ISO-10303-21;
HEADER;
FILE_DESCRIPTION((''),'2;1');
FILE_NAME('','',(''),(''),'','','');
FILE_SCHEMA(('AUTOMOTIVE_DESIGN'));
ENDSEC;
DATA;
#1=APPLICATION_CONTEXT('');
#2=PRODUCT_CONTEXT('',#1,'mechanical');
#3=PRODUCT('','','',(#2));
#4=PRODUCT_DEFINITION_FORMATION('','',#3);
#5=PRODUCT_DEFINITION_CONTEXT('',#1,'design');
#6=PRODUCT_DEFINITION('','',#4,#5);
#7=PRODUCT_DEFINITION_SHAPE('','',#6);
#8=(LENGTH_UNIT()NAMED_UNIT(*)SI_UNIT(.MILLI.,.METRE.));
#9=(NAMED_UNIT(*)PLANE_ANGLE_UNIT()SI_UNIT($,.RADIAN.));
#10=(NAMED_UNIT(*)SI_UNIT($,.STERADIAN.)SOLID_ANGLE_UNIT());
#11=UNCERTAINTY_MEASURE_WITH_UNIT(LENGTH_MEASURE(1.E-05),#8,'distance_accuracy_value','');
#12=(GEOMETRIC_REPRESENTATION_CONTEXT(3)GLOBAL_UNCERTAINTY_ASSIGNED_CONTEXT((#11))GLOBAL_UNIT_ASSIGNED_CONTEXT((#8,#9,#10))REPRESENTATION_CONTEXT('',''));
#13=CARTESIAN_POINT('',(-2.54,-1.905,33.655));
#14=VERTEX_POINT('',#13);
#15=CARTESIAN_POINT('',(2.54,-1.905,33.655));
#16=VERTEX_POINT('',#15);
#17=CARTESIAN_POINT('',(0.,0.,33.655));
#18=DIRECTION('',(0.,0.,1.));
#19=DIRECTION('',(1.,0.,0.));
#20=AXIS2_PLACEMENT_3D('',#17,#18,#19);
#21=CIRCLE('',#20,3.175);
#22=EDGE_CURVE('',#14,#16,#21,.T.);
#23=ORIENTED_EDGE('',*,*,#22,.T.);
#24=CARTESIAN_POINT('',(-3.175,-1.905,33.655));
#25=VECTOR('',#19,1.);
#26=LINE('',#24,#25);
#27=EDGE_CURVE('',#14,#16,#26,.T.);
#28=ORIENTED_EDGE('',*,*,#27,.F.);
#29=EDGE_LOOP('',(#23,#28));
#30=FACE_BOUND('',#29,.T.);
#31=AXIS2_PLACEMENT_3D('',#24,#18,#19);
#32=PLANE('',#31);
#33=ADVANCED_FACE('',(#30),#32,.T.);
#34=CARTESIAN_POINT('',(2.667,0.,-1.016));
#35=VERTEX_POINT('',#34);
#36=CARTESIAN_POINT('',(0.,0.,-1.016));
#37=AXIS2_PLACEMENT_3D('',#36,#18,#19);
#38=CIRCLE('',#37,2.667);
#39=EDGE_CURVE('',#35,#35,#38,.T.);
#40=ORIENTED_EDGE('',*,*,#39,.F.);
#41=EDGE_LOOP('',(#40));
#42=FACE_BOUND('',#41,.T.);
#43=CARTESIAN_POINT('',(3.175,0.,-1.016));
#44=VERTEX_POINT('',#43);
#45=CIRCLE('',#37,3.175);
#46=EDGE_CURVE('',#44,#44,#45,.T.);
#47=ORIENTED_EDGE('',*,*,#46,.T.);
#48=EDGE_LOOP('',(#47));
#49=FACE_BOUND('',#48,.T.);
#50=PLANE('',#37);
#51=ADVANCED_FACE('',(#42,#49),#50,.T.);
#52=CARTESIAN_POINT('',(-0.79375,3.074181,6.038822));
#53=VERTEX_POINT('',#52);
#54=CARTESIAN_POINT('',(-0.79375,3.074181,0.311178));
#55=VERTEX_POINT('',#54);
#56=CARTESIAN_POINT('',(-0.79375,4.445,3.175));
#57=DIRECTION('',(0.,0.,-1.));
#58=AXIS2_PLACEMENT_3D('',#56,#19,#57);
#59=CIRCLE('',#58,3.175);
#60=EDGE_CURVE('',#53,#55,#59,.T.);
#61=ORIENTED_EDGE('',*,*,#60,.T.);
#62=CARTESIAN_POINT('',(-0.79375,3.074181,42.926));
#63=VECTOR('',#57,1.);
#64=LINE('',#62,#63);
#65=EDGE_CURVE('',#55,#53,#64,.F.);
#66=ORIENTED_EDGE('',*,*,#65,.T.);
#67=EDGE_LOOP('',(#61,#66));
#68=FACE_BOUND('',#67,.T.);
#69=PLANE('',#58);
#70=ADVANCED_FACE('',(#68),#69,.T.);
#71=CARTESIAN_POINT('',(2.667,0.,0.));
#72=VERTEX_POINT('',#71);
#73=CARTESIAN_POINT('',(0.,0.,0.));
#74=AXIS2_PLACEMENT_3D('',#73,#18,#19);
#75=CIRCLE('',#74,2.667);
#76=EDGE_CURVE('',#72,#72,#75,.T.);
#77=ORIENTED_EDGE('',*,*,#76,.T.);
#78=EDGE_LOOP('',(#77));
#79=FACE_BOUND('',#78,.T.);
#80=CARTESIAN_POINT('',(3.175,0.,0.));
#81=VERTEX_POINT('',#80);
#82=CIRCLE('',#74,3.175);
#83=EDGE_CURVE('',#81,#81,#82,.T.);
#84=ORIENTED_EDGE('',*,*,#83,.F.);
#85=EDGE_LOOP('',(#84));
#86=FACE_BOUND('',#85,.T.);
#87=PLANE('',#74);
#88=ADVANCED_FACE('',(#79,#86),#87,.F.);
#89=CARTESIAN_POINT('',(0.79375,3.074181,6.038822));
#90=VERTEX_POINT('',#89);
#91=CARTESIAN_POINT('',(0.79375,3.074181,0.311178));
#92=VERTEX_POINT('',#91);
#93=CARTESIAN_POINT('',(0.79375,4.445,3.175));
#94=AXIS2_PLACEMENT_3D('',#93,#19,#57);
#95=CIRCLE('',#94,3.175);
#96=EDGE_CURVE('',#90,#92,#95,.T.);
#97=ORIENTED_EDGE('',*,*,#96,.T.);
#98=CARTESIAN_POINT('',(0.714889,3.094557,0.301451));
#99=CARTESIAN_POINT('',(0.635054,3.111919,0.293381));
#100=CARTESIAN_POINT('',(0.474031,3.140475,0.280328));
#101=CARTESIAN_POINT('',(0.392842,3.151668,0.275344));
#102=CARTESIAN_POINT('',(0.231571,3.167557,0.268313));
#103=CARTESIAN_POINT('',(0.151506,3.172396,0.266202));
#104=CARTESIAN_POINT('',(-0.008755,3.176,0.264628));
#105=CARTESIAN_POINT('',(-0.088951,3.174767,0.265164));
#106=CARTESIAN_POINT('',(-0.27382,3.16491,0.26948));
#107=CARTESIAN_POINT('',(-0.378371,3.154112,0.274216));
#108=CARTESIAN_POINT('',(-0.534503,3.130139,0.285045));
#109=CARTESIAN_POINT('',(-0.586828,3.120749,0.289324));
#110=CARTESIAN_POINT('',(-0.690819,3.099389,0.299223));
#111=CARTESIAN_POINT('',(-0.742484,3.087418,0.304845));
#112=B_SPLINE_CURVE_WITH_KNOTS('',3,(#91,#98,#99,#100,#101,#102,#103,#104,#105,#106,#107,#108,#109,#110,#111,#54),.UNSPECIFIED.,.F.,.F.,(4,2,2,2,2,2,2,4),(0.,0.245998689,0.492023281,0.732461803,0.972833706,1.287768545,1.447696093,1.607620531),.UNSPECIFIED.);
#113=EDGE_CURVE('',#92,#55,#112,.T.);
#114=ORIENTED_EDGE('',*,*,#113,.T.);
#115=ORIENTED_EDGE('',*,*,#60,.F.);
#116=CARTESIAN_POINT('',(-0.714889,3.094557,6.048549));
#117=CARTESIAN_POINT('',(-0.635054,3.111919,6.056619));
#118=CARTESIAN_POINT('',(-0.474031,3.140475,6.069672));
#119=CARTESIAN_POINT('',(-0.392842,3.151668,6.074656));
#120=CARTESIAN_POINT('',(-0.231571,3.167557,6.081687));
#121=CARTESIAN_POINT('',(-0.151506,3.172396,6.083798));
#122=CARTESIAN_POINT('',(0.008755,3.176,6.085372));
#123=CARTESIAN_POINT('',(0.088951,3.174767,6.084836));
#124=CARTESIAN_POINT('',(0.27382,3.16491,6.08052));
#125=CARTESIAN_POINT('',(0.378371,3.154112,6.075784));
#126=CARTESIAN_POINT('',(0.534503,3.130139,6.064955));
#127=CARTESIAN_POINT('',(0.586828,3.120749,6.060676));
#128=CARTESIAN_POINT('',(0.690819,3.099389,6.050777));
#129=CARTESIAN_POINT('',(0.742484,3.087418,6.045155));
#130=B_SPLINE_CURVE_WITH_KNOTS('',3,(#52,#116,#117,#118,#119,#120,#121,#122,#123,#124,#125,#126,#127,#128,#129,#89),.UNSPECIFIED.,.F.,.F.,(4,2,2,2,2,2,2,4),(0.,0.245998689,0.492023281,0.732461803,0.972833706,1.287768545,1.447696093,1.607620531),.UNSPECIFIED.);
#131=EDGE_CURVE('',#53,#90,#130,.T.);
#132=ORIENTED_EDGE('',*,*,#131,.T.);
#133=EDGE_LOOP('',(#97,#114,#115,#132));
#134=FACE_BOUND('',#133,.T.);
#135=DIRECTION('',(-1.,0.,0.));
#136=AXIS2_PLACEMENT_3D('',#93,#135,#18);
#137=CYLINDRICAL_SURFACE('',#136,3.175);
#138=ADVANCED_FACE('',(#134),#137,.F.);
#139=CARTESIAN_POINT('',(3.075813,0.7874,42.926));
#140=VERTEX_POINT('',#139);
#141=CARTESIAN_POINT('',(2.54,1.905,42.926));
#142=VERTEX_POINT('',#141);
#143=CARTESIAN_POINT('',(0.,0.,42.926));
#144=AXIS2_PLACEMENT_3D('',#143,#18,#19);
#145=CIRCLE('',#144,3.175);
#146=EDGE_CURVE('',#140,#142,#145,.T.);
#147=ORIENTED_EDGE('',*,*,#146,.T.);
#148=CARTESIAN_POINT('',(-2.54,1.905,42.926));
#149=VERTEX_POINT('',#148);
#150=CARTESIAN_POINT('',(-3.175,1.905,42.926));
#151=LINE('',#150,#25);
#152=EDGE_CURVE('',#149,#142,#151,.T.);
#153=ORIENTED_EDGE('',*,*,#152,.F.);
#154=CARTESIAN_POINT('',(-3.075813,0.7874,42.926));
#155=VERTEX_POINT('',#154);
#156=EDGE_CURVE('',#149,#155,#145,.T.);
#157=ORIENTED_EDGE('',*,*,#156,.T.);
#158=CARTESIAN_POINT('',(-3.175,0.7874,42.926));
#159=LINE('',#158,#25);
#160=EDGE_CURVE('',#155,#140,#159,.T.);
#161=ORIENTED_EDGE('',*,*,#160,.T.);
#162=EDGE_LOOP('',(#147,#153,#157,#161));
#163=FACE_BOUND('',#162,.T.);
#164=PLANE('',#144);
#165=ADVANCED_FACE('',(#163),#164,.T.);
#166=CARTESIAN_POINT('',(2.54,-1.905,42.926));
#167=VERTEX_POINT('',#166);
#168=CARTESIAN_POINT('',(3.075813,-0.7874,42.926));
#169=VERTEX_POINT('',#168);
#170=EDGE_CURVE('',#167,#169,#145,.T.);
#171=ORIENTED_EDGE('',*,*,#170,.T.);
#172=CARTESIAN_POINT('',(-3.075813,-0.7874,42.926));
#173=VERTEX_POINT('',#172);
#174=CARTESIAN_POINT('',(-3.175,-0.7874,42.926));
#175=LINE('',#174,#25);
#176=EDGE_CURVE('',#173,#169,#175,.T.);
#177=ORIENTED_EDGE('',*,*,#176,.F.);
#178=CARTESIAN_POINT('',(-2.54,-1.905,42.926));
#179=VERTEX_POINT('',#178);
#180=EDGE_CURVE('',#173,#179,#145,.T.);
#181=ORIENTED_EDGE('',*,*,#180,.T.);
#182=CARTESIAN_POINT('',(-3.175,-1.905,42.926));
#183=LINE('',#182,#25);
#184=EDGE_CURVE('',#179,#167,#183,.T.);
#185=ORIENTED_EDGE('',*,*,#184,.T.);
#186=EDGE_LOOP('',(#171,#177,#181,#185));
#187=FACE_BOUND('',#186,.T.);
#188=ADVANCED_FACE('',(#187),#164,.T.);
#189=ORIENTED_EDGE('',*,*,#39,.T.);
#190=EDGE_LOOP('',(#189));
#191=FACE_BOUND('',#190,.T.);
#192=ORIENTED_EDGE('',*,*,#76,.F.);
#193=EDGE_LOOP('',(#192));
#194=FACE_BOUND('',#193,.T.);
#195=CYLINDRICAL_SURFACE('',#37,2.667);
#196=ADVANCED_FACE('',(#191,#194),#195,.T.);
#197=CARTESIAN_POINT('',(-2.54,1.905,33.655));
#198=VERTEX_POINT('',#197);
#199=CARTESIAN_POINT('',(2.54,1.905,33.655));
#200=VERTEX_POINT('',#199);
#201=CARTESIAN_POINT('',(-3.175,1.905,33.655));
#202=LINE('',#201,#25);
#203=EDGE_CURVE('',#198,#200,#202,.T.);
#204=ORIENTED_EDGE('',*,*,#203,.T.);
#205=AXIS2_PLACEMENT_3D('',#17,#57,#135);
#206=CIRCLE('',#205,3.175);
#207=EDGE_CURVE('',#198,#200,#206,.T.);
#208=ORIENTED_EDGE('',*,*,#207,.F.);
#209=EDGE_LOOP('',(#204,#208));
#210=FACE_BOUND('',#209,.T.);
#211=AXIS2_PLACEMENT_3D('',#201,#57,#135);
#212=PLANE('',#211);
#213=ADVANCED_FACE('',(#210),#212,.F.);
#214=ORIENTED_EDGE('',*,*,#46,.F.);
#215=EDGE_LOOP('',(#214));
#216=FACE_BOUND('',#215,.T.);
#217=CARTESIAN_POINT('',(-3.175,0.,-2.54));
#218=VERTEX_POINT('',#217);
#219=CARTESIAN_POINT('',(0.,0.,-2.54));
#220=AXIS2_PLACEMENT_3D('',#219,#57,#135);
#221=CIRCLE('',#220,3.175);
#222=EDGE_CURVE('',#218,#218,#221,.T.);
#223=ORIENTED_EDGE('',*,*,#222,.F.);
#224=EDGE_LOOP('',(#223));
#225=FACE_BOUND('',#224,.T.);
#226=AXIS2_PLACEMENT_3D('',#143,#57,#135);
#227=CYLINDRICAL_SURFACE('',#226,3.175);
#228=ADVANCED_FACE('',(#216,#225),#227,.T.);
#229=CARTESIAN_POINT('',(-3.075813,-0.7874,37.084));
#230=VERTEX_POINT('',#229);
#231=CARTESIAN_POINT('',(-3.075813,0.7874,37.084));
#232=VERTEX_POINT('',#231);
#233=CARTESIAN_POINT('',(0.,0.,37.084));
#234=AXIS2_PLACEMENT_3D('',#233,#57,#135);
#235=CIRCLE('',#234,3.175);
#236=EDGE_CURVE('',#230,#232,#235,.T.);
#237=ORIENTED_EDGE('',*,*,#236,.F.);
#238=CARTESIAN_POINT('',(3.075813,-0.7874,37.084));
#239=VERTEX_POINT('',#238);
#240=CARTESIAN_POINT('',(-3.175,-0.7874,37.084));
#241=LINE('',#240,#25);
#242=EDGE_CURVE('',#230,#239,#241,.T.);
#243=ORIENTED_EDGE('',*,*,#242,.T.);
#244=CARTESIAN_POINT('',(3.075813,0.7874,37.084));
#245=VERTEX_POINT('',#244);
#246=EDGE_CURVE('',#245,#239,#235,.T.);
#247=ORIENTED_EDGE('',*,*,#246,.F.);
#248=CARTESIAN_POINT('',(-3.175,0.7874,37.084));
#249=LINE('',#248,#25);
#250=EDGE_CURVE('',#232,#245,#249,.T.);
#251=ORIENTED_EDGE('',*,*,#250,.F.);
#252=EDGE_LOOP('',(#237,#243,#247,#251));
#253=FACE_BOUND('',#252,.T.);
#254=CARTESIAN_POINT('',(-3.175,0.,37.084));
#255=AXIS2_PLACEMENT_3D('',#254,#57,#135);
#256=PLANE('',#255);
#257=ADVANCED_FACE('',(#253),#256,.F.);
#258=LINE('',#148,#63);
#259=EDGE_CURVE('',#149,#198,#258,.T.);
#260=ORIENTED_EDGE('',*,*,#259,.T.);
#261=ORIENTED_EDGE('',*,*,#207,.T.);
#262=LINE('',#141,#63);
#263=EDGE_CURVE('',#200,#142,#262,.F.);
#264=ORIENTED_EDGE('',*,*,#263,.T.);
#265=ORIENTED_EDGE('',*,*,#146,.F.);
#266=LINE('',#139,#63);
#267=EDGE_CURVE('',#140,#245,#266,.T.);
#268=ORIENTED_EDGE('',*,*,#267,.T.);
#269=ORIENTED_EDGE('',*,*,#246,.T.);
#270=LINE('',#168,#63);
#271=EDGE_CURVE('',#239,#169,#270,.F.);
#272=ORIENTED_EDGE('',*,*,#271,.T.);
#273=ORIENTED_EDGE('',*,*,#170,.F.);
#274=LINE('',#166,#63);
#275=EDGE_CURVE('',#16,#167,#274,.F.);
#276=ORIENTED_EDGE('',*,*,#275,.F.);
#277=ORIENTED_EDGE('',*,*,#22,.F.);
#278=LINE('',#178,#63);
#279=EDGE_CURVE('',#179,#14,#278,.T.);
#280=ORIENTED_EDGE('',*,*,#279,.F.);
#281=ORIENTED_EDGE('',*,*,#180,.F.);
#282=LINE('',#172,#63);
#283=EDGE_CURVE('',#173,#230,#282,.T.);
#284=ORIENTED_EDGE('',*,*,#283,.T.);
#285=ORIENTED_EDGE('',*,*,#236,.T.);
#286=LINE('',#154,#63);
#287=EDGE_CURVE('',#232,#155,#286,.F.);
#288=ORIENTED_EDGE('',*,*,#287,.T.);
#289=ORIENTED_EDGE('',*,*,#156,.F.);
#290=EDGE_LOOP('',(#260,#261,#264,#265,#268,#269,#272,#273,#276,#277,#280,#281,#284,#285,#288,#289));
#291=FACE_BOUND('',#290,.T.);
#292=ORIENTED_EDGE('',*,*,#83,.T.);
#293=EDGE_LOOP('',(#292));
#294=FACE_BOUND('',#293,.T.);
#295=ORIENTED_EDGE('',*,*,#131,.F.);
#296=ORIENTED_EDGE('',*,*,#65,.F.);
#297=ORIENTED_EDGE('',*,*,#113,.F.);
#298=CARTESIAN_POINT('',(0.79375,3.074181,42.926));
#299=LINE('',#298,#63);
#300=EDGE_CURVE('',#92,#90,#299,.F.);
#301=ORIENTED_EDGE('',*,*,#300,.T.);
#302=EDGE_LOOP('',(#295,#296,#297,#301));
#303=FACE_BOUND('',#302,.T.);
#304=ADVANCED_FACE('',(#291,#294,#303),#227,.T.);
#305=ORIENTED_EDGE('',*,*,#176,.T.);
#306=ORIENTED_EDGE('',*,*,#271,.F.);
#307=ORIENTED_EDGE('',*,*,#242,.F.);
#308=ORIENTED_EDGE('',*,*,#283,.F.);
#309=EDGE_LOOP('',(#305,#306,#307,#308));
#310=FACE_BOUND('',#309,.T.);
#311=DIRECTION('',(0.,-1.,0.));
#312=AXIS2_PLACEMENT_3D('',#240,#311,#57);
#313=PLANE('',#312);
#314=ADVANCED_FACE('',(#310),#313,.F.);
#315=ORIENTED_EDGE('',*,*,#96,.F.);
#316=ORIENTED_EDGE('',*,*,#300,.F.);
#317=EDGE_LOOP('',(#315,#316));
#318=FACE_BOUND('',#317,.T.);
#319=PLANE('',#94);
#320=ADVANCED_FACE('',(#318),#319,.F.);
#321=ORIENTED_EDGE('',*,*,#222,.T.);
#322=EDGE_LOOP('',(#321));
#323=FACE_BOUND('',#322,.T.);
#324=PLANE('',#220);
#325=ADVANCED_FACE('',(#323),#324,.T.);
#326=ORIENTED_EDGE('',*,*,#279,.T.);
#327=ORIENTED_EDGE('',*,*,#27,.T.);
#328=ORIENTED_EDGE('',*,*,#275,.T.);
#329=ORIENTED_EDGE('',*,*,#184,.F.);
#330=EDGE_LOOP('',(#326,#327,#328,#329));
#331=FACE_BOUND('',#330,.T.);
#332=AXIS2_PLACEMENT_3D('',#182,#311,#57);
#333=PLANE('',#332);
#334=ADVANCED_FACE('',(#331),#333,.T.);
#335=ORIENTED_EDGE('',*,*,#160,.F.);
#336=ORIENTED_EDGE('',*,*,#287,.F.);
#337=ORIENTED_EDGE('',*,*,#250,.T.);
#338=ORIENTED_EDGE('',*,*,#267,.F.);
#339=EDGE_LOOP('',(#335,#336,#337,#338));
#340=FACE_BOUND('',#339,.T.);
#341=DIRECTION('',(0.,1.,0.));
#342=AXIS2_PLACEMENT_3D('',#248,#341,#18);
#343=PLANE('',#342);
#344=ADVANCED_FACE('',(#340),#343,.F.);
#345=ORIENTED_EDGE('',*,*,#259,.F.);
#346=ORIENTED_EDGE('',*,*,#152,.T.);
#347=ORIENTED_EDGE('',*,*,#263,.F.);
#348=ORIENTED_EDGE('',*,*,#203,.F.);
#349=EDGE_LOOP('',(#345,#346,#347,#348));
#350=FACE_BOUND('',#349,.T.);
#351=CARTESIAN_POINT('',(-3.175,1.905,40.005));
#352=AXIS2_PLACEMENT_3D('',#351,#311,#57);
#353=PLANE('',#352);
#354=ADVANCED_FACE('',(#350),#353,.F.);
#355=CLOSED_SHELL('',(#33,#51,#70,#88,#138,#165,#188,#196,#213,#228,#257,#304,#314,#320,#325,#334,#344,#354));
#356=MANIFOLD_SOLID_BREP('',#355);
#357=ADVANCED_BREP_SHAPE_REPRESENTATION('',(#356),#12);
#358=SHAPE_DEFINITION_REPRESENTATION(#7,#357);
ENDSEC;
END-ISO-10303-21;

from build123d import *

# Parameters (mm, degrees)
SKETCH1_R           = 3.175
EXTRUDE1_DEPTH      = 42.926
SKETCH4_R           = 3.175
EXTRUDE2_DEPTH      = 0.79375
EXTRUDE2_DEPTH_BACK = 0.79375
SKETCH5_R           = 3.175
EXTRUDE3_DEPTH      = 2.54
SKETCH6_OUTSIDE_W   = 17.618
SKETCH6_OUTSIDE_H   = 17.618
SKETCH6_OUTSIDE_R   = 2.667
EXTRUDE4_DEPTH      = 1.016
EXTRUDE5_DEPTH      = 4.1750001
EXTRUDE5_DEPTH_BACK = 4.1750001
EXTRUDE6_DEPTH      = 4.1750001


with BuildPart() as part:
    # Sketch1 → Extrude1 (new body)
    with BuildSketch(Plane.XY):
        Circle(SKETCH1_R)
    extrude(amount=EXTRUDE1_DEPTH)

    # Sketch4 → Extrude2 (cut, two sides)
    with BuildSketch(Plane(origin=(0, 0, 0), x_dir=(0, 0, -1), z_dir=(1, 0, 0))) as extrude2_sk:
        with Locations((-3.175, 4.445)):
            Circle(SKETCH4_R)
    extrude(amount=EXTRUDE2_DEPTH, mode=Mode.SUBTRACT)
    extrude(extrude2_sk.sketch, amount=-EXTRUDE2_DEPTH_BACK, mode=Mode.SUBTRACT)

    # Sketch5 → Extrude3 (add)
    with BuildSketch(Plane(origin=(0, 0, 0), x_dir=(-1, 0, 0), z_dir=(0, 0, -1))):
        Circle(SKETCH5_R)
    extrude(amount=EXTRUDE3_DEPTH)

    # Sketch6 outside → Extrude4 (cut)
    with BuildSketch(Plane.XY):
        Rectangle(SKETCH6_OUTSIDE_W, SKETCH6_OUTSIDE_H)
        Circle(SKETCH6_OUTSIDE_R, mode=Mode.SUBTRACT)
    extrude(amount=-EXTRUDE4_DEPTH, mode=Mode.SUBTRACT)

    # Sketch7 → Extrude5 (cut, two sides)
    with BuildSketch(Plane(origin=(0, 0, 0), x_dir=(0, 0, -1), z_dir=(1, 0, 0))) as extrude5_sk:
        Polygon((-42.926, 0), (-42.926, 0.7874), (-37.084, 0.7874), (-37.084, 0), (-37.084, -0.7874), (-42.926, -0.7874), align=None)
    extrude(amount=EXTRUDE5_DEPTH, mode=Mode.SUBTRACT)
    extrude(extrude5_sk.sketch, amount=-EXTRUDE5_DEPTH_BACK, mode=Mode.SUBTRACT)

    # Sketch8 → Extrude6 (cut, symmetric)
    with BuildSketch(Plane(origin=(0, 0, 0), x_dir=(0, 0, -1), z_dir=(1, 0, 0))):
        Polygon((-42.926, 1.905), (-40.005, 1.905), (-33.655, 1.905), (-33.655, 3.175), (-42.926, 3.175), align=None)
    extrude6 = extrude(amount=EXTRUDE6_DEPTH, both=True, mode=Mode.SUBTRACT)

    # Mirror1: Extrude6 across plane
    add(extrude6.mirror(Plane.ZX), mode=Mode.SUBTRACT)


solid = part.part
